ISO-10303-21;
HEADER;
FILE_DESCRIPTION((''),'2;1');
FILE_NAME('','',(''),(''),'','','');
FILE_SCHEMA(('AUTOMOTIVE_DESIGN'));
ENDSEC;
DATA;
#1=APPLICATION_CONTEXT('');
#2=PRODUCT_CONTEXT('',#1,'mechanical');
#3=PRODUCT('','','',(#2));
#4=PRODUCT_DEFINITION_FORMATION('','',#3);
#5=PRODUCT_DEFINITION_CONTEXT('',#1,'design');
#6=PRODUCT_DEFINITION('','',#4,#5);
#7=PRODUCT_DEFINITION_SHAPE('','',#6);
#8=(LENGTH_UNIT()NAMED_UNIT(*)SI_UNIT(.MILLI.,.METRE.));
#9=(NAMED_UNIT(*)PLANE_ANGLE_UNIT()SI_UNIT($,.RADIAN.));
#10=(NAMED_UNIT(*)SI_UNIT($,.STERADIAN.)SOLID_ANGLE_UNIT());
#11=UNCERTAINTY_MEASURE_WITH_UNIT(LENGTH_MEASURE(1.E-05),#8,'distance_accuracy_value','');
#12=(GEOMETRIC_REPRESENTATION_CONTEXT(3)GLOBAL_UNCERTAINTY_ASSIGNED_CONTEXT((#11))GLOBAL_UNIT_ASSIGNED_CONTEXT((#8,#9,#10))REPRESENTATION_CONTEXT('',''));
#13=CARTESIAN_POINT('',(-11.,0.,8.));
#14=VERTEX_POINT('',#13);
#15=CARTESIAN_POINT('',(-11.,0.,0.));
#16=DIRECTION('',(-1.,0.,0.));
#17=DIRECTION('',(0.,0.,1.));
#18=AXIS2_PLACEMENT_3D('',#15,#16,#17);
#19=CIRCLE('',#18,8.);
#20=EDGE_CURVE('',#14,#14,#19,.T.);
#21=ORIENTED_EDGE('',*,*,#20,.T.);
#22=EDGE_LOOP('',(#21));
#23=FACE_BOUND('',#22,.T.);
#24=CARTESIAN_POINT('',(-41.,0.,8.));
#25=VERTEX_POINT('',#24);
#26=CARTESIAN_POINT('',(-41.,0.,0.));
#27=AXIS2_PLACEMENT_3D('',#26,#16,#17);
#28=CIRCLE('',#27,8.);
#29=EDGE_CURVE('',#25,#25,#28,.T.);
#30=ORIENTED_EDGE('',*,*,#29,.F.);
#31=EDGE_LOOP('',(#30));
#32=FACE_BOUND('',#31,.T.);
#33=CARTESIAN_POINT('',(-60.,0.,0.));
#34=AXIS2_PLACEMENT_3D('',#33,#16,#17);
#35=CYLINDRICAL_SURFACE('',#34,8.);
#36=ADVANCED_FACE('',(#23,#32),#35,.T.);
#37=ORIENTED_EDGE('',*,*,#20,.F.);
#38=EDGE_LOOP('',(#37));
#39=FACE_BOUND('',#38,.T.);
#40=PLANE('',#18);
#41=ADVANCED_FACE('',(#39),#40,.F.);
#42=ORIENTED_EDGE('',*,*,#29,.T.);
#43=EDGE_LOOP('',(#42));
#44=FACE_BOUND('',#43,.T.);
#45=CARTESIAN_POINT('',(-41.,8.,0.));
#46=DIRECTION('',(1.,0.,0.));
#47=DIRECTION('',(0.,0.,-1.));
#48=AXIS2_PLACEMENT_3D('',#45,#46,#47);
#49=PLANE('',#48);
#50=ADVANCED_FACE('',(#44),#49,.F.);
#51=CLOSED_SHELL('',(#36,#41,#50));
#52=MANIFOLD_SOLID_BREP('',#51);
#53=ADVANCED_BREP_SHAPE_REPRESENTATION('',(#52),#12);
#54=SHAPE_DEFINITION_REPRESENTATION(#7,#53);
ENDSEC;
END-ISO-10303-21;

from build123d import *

# Parameters (mm, degrees)
AXIAL_BLANK_PROFILE_W = 30
AXIAL_BLANK_PROFILE_H = 8


with BuildPart() as part:
    # Axial blank profile → Native revolved blank (revolve)
    with BuildSketch(Plane.XY, mode=Mode.PRIVATE) as native_revolved_blank_sk:
        with Locations((-26, 4)):
            Rectangle(AXIAL_BLANK_PROFILE_W, AXIAL_BLANK_PROFILE_H)
    revolve(native_revolved_blank_sk.sketch.rotate(Axis((-60, 0, 0), (1, 0, 0)), 90), axis=Axis((-60, 0, 0), (1, 0, 0)))


solid = part.part
